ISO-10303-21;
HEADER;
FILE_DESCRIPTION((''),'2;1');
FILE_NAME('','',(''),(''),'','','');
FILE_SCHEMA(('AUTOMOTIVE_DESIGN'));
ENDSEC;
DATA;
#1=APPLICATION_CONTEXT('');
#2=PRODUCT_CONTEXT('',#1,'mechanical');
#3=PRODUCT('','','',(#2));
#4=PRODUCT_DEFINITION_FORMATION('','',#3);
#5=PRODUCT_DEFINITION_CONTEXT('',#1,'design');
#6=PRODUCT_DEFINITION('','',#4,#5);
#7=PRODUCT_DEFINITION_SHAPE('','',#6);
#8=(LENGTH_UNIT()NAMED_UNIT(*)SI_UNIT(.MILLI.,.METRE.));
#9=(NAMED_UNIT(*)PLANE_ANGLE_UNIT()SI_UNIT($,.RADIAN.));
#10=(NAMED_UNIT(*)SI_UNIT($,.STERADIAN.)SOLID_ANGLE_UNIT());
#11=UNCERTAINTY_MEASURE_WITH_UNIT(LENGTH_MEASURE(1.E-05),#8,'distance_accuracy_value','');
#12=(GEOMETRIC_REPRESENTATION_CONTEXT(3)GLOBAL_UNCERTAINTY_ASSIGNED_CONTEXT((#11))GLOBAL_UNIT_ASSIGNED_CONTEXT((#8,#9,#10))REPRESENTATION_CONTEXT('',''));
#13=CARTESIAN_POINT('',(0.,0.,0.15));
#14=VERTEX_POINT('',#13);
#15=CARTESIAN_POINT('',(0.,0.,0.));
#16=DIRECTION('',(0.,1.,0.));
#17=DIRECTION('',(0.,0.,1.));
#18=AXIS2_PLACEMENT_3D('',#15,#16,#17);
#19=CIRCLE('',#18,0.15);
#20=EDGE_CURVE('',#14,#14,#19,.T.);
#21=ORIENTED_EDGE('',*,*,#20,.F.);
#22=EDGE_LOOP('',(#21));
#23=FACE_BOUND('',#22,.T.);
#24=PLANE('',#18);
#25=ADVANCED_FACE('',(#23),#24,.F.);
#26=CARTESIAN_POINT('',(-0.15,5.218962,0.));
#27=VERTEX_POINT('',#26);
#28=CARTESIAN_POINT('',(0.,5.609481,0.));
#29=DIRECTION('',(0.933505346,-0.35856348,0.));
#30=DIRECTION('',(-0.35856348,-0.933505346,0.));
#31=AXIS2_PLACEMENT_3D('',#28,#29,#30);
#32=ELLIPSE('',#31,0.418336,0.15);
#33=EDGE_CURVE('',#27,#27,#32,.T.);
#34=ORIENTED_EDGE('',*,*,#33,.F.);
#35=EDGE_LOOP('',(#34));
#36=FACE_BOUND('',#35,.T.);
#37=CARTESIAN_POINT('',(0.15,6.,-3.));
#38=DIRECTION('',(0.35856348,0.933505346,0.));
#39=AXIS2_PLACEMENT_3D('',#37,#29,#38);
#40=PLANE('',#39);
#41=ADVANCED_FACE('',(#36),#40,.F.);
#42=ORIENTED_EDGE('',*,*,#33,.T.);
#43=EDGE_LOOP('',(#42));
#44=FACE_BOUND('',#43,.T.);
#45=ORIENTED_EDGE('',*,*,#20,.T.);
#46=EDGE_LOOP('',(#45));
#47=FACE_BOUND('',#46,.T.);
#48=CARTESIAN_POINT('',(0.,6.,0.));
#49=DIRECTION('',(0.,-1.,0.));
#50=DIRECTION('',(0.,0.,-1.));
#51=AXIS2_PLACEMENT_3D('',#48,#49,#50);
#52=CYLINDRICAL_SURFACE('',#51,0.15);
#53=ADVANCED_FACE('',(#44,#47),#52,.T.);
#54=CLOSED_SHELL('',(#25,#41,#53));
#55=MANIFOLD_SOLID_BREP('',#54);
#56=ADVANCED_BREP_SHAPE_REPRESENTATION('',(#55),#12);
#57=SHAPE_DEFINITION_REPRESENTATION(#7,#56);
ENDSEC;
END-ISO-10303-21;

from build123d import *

# Parameters (mm, degrees)
SKETCH_1_R          = 0.15
EXTRUDE_1_DEPTH     = 6
CUT_EXTRUDE_1_DEPTH = 3


with BuildPart() as part:
    # 草图1 → 凸台-拉伸1 (new body)
    with BuildSketch(Plane(origin=(0, 0, 0), x_dir=(1, 0, 0), z_dir=(0, 1, 0))):
        Circle(SKETCH_1_R)
    extrude(amount=EXTRUDE_1_DEPTH)

    # 草图2 → 切除-拉伸1 (cut, symmetric)
    with BuildSketch(Plane.XY):
        Polygon((0.15, 6), (-0.15, 5.218962278), (-0.15, 6), align=None)
    extrude(amount=CUT_EXTRUDE_1_DEPTH, both=True, mode=Mode.SUBTRACT)


solid = part.part
